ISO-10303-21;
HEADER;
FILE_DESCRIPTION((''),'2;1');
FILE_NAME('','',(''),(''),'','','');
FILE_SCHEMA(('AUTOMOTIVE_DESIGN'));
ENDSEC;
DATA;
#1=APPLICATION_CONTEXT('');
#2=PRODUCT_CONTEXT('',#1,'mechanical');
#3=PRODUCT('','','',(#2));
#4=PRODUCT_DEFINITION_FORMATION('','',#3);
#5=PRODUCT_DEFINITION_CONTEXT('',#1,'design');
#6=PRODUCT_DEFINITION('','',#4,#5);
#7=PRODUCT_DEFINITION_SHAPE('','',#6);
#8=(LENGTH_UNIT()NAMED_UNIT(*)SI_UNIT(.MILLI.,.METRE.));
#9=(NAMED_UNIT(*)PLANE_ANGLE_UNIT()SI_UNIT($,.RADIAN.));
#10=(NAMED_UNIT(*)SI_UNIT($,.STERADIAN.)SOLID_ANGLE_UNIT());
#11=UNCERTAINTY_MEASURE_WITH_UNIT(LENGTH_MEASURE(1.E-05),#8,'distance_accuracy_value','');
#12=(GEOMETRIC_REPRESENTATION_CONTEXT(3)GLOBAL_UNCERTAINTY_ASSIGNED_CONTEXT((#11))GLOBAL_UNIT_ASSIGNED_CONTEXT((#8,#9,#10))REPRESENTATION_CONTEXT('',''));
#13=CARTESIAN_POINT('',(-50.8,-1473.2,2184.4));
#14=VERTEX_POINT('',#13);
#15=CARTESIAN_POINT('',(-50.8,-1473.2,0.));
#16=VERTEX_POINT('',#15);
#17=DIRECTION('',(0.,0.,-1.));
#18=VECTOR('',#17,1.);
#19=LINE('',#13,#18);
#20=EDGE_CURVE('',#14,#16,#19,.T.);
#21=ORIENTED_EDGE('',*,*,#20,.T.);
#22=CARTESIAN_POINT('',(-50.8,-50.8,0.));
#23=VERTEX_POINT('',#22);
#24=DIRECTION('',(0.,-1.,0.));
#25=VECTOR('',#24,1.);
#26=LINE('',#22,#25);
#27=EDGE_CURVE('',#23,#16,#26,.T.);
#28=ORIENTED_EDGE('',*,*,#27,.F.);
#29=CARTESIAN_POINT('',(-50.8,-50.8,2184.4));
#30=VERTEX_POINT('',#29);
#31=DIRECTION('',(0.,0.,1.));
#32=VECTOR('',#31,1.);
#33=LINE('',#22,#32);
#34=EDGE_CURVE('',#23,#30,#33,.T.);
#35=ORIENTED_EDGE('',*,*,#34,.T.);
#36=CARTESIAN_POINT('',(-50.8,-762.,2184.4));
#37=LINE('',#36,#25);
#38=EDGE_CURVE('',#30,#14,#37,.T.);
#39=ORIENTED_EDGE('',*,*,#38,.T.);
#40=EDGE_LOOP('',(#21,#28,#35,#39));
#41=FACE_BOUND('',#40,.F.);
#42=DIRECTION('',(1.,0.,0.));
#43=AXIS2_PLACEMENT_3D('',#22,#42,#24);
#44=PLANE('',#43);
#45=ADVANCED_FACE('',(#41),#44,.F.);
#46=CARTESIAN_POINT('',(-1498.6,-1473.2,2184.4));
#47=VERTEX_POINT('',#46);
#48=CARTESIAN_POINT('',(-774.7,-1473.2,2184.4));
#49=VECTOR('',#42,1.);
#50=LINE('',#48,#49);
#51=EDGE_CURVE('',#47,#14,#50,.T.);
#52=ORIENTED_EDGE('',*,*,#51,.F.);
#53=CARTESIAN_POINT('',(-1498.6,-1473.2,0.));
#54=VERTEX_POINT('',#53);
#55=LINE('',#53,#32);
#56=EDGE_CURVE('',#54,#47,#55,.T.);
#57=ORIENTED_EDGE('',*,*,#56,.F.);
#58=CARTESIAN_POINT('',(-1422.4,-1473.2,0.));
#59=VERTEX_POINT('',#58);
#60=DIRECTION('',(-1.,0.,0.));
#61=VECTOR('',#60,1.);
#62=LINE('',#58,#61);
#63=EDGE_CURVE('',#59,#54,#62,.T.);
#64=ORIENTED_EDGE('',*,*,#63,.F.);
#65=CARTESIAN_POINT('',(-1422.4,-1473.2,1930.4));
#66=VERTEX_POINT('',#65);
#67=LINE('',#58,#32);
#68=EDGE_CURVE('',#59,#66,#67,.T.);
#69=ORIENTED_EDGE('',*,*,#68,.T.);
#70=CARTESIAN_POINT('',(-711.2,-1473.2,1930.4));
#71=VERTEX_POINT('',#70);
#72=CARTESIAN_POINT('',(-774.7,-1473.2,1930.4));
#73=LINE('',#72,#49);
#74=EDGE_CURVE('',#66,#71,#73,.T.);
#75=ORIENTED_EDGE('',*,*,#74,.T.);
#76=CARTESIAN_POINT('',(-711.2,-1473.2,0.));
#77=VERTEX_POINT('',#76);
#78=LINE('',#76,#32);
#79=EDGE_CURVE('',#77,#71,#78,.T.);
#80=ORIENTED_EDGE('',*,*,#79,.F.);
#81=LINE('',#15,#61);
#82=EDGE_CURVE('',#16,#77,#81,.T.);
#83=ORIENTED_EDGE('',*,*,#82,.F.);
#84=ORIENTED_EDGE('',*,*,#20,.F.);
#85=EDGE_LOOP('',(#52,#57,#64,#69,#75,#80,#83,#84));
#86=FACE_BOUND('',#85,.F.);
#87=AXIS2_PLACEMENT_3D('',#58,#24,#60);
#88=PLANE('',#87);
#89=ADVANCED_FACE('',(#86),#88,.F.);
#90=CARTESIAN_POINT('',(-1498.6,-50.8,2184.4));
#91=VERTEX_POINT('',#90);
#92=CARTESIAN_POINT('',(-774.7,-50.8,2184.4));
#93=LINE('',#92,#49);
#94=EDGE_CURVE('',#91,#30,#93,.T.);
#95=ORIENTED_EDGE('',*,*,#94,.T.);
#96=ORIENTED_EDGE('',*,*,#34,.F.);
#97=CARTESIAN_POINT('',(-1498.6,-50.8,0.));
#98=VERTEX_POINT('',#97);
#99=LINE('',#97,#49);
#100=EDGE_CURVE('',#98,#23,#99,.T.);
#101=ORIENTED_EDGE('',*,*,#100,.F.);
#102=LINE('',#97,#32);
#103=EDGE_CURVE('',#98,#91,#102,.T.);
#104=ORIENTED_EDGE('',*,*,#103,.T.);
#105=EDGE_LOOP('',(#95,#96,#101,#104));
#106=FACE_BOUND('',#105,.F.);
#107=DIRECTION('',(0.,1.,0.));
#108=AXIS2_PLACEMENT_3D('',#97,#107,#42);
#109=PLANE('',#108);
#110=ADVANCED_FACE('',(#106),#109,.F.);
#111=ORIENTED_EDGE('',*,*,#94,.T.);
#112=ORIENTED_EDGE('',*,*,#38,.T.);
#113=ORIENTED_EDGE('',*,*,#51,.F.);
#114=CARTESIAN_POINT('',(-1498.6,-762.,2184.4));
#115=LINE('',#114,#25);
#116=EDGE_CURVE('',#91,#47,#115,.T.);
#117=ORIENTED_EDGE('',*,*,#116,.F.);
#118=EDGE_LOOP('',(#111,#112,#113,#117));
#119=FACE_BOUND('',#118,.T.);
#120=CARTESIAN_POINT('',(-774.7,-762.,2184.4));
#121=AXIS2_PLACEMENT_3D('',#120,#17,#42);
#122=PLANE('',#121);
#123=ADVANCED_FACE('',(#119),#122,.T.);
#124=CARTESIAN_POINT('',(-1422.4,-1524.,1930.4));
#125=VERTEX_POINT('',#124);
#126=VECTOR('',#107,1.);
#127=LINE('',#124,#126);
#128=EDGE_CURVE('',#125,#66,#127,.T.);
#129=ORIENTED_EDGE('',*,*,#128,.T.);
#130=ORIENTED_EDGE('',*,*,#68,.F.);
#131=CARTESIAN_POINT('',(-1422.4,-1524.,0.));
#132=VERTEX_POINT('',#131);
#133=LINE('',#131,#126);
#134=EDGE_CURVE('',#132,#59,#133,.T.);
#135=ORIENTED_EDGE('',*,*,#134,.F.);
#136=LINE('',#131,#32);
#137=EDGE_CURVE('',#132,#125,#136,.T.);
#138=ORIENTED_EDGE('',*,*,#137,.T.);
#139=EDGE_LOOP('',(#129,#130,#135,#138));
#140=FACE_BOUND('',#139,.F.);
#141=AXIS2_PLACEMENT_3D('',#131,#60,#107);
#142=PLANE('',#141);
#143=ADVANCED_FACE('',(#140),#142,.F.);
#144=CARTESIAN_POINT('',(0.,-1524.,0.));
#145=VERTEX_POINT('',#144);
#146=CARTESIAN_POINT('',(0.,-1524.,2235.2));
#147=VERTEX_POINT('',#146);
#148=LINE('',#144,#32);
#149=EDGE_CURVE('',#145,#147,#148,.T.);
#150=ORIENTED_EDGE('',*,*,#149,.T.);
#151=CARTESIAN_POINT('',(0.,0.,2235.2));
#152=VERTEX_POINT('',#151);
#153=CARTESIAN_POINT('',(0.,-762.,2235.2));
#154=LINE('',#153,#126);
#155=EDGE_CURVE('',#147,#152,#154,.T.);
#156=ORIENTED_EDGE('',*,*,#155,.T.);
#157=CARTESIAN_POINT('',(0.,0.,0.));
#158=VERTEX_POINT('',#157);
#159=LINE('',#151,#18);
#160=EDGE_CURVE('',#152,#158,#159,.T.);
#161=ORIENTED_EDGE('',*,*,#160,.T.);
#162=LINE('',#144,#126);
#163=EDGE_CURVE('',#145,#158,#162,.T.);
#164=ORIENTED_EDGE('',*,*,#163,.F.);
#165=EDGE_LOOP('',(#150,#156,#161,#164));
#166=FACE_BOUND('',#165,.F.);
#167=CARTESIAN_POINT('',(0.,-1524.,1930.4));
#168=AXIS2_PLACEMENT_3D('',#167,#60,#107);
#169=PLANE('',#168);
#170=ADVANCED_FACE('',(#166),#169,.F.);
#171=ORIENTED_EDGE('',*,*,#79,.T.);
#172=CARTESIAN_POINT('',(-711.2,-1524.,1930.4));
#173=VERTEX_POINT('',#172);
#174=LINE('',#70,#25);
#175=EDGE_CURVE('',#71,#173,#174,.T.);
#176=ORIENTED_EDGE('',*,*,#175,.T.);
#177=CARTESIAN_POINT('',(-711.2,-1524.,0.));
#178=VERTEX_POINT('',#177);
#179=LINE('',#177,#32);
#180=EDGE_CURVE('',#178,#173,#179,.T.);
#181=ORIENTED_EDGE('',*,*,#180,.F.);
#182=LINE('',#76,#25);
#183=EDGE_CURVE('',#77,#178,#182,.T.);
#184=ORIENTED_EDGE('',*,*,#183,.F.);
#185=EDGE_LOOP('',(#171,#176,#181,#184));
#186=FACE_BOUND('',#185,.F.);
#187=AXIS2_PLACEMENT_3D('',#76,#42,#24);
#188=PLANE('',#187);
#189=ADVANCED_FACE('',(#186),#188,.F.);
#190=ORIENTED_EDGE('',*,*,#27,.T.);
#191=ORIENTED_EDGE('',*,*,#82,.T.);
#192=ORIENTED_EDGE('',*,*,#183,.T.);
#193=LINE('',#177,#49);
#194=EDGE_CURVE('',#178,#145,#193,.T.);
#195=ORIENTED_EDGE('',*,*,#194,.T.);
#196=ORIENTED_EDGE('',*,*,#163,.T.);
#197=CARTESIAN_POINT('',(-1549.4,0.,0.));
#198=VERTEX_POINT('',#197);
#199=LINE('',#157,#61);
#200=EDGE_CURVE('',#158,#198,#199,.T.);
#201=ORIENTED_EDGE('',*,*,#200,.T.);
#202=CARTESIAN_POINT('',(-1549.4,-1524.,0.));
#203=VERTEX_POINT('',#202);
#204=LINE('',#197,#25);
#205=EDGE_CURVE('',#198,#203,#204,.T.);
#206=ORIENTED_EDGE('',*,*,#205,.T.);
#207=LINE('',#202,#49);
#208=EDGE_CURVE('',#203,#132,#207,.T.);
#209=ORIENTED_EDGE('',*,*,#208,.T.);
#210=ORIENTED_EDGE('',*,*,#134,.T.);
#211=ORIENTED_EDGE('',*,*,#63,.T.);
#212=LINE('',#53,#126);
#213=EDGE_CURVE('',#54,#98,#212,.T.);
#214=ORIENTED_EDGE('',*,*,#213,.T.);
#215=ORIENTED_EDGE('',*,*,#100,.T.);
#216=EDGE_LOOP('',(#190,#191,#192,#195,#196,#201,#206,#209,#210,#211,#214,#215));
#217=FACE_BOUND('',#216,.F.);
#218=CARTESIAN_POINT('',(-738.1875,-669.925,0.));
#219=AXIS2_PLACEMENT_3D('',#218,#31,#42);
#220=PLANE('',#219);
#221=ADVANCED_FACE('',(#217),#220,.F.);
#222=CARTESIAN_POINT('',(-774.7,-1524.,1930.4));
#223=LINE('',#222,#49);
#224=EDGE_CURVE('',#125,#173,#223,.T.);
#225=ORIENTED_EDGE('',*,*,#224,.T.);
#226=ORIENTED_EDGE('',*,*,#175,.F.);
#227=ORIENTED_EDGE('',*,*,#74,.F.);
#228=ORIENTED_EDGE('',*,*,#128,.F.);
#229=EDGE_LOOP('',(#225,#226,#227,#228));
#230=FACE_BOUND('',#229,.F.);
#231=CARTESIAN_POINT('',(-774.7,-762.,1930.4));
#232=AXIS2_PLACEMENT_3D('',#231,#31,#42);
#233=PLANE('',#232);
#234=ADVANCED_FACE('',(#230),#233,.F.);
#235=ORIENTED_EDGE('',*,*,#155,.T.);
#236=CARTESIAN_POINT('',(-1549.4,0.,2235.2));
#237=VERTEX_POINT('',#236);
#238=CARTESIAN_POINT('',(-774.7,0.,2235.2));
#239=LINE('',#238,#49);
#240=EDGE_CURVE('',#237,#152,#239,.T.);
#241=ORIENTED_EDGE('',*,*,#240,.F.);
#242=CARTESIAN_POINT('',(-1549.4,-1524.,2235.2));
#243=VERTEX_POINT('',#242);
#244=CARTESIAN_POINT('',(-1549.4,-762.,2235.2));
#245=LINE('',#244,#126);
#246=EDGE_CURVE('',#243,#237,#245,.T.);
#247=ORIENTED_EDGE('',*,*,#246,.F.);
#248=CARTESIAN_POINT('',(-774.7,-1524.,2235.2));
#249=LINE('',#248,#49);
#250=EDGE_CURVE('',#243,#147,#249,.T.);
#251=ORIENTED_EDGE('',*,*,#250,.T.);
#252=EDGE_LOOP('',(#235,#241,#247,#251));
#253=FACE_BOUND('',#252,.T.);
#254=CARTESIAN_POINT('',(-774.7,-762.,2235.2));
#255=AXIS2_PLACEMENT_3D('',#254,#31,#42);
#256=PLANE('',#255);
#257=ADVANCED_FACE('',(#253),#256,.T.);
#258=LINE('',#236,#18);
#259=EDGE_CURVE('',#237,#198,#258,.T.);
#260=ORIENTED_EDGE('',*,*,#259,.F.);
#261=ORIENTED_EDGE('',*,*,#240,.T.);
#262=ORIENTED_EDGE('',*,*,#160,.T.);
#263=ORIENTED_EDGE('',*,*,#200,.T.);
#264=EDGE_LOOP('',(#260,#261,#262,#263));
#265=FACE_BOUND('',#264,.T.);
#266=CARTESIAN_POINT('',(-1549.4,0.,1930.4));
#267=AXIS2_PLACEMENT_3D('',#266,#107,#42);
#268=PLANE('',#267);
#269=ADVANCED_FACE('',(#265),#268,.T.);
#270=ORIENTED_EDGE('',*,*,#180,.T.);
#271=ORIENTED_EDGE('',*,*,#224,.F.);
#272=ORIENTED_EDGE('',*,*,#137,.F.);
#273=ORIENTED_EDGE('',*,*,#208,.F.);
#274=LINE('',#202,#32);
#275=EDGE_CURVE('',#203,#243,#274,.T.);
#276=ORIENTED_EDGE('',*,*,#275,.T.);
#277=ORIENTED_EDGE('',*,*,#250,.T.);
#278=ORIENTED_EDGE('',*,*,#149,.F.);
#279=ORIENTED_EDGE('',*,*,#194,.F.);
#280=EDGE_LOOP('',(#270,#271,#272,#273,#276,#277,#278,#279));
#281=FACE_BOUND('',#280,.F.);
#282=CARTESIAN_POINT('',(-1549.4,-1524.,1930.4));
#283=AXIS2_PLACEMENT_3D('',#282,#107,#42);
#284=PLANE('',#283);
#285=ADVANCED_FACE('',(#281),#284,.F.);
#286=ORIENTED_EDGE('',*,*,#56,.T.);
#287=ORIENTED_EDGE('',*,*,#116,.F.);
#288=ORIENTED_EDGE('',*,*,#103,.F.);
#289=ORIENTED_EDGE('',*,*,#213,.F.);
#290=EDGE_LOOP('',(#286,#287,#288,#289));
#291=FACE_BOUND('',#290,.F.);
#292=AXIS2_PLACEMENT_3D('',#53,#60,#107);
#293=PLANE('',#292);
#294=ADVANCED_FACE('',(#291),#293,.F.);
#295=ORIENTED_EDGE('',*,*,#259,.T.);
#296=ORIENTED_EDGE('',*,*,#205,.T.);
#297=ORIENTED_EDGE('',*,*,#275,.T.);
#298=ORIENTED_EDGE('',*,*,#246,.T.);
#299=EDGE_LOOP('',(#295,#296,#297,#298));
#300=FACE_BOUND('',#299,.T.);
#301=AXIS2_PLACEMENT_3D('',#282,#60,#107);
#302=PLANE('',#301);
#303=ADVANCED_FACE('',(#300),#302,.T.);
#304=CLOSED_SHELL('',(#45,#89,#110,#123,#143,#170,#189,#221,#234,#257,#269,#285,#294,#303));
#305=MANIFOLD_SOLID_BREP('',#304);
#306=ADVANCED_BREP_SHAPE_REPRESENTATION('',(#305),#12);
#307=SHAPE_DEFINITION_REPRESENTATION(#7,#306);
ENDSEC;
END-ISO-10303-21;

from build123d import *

# Parameters (mm, degrees)
F1_DEPTH = 1930.4
F2_W     = 1549.4
F2_H     = 1524
F3_DEPTH = 304.8
F4_W     = 1447.8
F4_H     = 1422.4
F5_DEPTH = 254


with BuildPart() as f1:
    # F0 (on Top) → F1 (new body)
    with BuildSketch(Plane.XY):
        Polygon((0, -1524), (0, 0), (-1549.4, 0), (-1549.4, -1524), (-1422.4, -1524), (-1422.4, -1473.2), (-1498.6, -1473.2), (-1498.6, -50.8), (-50.8, -50.8), (-50.8, -1473.2), (-711.2, -1473.2), (-711.2, -1524), align=None)
    extrude(amount=F1_DEPTH)

    # F2 (on face) → F3 (join)
    with BuildSketch(Plane.XY.offset(1930.4)):
        with Locations((-774.7, -762)):
            Rectangle(F2_W, F2_H)
    extrude(amount=F3_DEPTH)

    # F4 (on face) → F5 (cut)
    with BuildSketch(Plane(origin=(0, 0, 1930.4), x_dir=(1, 0, 0), z_dir=(0, 0, -1))):
        with Locations((-774.7, 762)):
            Rectangle(F4_W, F4_H)
    extrude(amount=-F5_DEPTH, mode=Mode.SUBTRACT)


solid = f1.part
